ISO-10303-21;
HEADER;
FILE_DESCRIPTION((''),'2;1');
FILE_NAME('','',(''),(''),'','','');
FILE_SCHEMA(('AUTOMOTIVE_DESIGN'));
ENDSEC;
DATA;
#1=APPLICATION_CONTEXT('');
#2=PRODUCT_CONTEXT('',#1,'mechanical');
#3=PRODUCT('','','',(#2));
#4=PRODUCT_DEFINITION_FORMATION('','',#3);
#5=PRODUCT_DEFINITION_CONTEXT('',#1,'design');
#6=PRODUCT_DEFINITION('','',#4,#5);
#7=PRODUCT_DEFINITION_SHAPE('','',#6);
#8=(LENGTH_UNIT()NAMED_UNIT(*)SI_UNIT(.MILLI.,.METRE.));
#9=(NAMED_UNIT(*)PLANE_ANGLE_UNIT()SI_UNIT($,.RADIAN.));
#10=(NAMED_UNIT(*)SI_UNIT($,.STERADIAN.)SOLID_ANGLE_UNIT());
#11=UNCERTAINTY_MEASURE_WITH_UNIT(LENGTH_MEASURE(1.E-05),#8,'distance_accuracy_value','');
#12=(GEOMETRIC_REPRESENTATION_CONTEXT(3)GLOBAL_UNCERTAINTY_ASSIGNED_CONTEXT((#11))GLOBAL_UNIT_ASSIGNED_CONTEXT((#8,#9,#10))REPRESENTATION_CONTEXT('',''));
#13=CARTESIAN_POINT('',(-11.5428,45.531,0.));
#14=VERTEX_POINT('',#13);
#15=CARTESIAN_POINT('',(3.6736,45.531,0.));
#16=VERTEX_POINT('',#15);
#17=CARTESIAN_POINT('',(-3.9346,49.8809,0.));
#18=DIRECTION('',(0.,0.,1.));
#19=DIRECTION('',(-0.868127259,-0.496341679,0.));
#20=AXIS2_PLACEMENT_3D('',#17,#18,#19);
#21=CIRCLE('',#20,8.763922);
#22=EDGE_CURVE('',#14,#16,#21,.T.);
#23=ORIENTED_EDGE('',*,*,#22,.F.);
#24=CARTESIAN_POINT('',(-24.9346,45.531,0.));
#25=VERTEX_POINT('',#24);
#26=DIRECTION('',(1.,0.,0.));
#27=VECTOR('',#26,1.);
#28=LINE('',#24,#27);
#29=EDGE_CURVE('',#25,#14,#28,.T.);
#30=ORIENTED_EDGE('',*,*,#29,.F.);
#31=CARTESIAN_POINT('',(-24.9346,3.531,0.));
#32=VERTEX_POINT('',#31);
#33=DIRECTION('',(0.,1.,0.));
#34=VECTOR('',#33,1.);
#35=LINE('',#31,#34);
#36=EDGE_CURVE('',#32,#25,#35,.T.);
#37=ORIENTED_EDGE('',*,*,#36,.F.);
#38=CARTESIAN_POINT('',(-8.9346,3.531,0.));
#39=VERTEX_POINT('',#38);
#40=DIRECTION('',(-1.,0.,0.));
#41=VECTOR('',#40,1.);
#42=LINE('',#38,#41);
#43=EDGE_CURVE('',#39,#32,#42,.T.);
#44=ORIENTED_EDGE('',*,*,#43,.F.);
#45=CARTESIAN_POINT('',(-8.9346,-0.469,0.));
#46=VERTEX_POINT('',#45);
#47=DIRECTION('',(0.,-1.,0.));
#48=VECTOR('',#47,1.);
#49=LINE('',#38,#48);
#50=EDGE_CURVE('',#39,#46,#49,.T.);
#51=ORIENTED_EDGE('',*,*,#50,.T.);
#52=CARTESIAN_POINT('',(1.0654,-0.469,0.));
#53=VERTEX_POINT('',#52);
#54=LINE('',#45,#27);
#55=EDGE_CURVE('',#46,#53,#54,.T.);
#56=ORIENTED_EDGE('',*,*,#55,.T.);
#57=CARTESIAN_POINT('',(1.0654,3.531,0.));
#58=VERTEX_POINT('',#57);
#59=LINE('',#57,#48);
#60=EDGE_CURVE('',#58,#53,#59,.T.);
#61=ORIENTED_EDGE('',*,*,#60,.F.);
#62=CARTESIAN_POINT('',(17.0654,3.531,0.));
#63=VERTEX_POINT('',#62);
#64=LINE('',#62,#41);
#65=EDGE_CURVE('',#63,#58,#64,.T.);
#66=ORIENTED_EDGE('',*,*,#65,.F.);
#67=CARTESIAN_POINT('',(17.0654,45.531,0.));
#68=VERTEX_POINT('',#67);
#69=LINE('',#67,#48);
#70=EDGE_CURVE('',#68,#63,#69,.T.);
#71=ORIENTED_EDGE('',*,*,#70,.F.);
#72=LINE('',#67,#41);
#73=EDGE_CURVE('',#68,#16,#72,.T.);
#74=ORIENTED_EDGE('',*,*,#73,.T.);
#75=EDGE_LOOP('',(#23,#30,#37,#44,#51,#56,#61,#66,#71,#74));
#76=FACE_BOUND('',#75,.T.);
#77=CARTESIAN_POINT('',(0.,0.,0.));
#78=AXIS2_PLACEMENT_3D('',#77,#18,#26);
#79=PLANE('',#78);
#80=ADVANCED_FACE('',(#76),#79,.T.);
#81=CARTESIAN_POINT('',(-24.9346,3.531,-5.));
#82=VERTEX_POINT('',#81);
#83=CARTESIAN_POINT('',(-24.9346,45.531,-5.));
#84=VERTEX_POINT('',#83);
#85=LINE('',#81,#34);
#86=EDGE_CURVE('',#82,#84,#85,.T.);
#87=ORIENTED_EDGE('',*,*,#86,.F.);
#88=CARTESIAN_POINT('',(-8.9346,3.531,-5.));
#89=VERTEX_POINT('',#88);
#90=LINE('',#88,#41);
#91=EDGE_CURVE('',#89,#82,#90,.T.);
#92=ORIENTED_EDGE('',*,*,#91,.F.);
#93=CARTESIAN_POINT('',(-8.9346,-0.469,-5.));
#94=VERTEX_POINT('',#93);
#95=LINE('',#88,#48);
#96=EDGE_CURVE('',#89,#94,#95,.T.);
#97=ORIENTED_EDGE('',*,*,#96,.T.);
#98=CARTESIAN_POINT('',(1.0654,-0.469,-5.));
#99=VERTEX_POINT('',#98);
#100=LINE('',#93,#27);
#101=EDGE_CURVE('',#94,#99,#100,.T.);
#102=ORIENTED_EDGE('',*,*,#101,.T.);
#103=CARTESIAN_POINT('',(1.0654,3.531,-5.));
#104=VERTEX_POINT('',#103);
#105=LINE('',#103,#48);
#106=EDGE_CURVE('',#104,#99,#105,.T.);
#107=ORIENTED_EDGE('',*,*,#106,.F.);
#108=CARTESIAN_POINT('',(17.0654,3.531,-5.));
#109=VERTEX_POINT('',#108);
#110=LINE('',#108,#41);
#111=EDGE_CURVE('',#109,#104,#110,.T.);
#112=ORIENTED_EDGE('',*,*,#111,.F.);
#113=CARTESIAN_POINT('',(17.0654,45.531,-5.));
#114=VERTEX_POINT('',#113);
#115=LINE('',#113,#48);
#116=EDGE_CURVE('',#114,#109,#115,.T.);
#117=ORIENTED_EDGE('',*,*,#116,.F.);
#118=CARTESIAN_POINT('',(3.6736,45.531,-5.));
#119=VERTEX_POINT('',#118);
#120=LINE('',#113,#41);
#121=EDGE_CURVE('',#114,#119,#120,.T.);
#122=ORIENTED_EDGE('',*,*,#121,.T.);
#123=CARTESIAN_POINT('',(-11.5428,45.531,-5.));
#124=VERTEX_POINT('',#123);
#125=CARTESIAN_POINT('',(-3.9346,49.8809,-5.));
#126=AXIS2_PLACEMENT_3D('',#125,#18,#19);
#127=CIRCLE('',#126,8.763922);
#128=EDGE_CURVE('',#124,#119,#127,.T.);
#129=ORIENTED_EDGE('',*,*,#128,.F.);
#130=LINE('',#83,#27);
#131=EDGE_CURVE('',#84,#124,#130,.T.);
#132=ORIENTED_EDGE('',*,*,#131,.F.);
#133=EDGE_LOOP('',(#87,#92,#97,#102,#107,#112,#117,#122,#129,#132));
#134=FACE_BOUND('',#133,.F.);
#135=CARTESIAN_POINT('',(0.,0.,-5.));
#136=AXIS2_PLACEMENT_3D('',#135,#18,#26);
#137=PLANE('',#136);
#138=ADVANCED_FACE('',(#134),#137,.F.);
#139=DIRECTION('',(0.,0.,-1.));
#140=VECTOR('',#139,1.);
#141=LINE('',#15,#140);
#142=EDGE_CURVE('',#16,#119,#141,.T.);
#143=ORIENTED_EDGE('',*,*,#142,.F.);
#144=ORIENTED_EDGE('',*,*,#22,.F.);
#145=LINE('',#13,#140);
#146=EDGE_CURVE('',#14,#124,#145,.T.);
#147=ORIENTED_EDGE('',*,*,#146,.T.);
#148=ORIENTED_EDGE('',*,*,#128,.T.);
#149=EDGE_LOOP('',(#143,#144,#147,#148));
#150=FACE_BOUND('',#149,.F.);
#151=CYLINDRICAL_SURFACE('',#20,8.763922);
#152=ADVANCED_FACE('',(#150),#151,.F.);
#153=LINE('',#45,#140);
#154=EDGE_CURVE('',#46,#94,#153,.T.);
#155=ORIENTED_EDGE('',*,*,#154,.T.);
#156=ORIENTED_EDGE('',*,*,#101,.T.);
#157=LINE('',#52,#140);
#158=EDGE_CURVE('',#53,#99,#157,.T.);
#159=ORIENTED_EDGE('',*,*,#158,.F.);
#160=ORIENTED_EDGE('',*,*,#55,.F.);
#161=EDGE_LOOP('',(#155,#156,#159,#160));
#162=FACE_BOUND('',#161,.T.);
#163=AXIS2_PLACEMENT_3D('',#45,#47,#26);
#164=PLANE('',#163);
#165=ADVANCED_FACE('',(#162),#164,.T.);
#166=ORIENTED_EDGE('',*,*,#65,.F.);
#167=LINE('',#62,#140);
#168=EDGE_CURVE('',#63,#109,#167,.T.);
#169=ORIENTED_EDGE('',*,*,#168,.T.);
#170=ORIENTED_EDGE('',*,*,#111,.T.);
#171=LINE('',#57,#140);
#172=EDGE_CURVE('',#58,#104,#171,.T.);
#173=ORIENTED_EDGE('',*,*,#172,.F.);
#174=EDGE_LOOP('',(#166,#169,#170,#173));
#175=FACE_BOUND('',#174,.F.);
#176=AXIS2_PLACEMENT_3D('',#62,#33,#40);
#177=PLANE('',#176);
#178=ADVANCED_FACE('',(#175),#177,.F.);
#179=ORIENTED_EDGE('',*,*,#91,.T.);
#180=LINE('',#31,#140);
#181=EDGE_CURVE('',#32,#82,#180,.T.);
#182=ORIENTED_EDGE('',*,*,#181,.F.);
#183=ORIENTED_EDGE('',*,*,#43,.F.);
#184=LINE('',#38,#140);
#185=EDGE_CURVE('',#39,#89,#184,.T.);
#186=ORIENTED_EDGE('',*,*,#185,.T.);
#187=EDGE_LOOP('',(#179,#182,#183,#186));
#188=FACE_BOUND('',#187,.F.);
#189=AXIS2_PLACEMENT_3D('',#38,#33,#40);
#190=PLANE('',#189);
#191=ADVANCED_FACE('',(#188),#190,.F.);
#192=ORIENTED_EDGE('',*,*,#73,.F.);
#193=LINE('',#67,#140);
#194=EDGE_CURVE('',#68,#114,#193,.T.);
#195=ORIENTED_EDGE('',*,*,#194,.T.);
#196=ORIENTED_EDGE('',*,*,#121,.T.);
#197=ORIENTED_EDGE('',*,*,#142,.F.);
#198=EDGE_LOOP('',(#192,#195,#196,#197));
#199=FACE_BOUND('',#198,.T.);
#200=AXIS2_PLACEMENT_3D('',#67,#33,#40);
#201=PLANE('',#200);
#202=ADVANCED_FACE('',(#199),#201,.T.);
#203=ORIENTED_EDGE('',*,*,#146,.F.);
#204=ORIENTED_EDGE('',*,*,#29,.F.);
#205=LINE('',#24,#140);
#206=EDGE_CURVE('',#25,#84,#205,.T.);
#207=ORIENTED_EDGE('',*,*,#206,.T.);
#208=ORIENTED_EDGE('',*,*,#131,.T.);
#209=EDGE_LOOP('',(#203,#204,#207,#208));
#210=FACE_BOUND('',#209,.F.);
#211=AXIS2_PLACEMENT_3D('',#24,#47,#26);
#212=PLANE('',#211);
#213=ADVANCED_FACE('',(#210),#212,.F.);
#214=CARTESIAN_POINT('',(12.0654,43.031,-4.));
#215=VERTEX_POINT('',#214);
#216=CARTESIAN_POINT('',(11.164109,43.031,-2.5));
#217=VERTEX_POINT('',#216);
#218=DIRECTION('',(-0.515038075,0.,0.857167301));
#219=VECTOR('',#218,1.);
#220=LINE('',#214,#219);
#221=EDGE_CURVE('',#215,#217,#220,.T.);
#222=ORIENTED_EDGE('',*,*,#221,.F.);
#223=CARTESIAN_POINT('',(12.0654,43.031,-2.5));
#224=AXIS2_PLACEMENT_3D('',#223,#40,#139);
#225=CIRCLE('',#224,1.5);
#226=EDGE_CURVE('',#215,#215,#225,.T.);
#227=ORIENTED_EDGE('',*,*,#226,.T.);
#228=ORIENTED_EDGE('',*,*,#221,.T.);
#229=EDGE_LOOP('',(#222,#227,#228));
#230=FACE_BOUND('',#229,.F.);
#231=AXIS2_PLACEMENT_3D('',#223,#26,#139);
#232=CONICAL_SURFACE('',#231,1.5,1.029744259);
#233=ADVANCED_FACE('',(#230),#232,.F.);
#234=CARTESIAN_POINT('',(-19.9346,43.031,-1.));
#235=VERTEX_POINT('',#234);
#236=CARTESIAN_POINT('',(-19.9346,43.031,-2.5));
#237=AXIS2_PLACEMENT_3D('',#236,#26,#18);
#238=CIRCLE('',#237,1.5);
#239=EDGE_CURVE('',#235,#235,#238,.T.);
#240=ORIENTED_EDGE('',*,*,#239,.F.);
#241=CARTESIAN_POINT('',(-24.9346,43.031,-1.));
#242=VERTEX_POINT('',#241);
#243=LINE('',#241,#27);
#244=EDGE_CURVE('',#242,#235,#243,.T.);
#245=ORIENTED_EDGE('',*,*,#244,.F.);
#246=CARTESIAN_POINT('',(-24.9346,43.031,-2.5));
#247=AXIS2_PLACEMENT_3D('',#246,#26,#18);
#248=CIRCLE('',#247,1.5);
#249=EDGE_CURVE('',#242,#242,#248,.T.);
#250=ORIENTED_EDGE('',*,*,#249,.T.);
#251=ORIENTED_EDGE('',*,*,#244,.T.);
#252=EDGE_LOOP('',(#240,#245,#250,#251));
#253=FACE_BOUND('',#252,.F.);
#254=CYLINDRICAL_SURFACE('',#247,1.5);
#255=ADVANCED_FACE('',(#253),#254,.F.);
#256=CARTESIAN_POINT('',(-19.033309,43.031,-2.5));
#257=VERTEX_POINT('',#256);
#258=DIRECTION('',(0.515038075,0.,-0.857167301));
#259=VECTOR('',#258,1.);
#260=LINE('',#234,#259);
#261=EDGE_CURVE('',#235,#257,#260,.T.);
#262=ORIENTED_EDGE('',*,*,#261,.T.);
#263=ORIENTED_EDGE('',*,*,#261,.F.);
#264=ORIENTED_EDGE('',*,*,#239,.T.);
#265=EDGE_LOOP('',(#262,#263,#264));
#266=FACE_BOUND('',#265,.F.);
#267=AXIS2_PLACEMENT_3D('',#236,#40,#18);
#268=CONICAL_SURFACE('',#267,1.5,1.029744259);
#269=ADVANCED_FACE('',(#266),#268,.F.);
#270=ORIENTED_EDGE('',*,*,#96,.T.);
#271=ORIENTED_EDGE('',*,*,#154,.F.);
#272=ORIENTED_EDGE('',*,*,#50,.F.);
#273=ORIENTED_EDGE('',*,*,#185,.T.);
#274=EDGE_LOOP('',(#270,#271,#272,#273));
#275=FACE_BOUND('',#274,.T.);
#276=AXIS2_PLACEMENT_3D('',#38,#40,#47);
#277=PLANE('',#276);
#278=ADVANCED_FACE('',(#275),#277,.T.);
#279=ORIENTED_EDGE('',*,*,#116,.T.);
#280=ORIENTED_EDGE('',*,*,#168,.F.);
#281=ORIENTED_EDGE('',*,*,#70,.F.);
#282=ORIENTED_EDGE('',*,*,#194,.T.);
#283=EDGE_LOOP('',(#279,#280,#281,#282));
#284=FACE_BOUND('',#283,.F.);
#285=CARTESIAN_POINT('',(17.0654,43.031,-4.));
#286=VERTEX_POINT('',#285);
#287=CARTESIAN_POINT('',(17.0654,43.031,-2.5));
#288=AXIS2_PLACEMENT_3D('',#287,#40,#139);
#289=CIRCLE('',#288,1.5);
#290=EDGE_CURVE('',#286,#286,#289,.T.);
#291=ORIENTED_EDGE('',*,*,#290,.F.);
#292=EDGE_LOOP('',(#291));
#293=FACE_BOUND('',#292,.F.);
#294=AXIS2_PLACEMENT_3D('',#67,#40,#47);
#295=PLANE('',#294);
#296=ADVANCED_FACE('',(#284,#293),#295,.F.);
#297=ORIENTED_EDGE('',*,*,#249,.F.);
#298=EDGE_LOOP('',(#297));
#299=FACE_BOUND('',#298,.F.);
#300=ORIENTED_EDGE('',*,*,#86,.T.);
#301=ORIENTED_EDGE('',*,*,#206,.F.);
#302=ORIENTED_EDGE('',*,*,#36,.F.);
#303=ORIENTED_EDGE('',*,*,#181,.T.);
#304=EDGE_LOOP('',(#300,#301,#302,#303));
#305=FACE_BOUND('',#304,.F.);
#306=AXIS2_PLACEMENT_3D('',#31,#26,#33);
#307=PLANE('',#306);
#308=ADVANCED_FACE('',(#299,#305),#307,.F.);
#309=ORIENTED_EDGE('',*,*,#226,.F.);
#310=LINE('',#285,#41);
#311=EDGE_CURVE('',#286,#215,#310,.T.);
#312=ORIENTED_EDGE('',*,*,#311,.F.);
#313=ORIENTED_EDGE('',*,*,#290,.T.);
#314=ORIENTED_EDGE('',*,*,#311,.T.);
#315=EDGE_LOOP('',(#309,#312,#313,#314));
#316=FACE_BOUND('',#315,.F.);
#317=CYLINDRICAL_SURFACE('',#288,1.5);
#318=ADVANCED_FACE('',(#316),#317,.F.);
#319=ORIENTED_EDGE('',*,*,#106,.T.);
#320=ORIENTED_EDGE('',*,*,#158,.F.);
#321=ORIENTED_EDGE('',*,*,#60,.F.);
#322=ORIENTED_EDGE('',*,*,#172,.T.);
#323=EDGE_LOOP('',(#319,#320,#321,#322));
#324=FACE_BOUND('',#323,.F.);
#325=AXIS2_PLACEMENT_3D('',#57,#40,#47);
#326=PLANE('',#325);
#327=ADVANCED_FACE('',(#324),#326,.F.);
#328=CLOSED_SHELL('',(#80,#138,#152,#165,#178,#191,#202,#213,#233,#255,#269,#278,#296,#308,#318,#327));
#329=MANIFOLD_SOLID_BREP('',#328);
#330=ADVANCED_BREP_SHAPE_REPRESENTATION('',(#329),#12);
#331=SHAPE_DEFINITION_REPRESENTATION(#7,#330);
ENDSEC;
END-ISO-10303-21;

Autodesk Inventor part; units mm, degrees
ref_plane "YZ Plane" through (0, 0, 0) normal (1, 0, 0) x (0, 1, 0)
ref_plane "XZ Plane" through (0, 0, 0) normal (0, 1, 0) x (-1, 0, 0)
ref_plane "XY Plane" through (0, 0, 0) normal (0, 0, 1) x (1, 0, 0)
sketch "Sketch1" plane through (0, 0, 0) normal (0, 0, 1) x (1, 0, 0)
  line L0 (-8.9346, 3.531) -> (-24.9346, 3.531)
  line L1 (-24.9346, 3.531) -> (-24.9346, 45.531)
  line L2 (17.0654, 45.531) -> (17.0654, 3.531)
  line L3 (17.0654, 3.531) -> (1.0654, 3.531)
  line L4 (-8.9346, -0.469) -> (1.0654, -0.469)
  line L5 (-8.9346, 3.531) -> (-8.9346, -0.469)
  line L6 (1.0654, 3.531) -> (1.0654, -0.469)
  line L7 (17.0654, 45.531) -> (3.6736, 45.531)
  line L8 (-24.9346, 45.531) -> (-11.5428, 45.531)
  arc A0 (-11.5428, 45.531) -> (3.6736, 45.531) centre (-3.9346, 49.8809) ccw
  point P0 (0, 0)
extrude "Extrusion4" add sketch "Sketch1" against normal blind 5
sketch "Sketch2" plane through (17.0654, 3.531, 0) normal (1, 0, 0) x (0, 0, -1)
  line L0 (0, 42) -> (5, 42) projected
  line L1 (0, 42) -> (0, 39.5)
  line L2 (0, 37.5859) -> (0, 42) projected
  line L3 (0, 39.5) -> (5, 39.5)
  line L4 (5, 42) -> (5, 37.5859) projected
  circle A0 centre (2.5, 39.5) radius 1.5
  point P0 (0, -3.531)
hole "Hole1" at (17.0654, 43.031, -2.5) direction (-1, 0, 0) diameter 3 depth 5 tip angle 118
sketch "Sketch3" plane through (-24.9346, 3.531, 0) normal (-1, 0, 0) x (0, 0, 1)
  circle A0 centre (-2.5, 39.5) radius 1.5 projected
  circle A1 centre (-2.5, 39.5) radius 1.5
  point P0 (0, -3.531)
hole "Hole2" at (-24.9346, 43.031, -2.5) direction (1, 0, 0) diameter 3 depth 5 tip angle 118
properties part number "suport continuare seringa" material "Gold"
